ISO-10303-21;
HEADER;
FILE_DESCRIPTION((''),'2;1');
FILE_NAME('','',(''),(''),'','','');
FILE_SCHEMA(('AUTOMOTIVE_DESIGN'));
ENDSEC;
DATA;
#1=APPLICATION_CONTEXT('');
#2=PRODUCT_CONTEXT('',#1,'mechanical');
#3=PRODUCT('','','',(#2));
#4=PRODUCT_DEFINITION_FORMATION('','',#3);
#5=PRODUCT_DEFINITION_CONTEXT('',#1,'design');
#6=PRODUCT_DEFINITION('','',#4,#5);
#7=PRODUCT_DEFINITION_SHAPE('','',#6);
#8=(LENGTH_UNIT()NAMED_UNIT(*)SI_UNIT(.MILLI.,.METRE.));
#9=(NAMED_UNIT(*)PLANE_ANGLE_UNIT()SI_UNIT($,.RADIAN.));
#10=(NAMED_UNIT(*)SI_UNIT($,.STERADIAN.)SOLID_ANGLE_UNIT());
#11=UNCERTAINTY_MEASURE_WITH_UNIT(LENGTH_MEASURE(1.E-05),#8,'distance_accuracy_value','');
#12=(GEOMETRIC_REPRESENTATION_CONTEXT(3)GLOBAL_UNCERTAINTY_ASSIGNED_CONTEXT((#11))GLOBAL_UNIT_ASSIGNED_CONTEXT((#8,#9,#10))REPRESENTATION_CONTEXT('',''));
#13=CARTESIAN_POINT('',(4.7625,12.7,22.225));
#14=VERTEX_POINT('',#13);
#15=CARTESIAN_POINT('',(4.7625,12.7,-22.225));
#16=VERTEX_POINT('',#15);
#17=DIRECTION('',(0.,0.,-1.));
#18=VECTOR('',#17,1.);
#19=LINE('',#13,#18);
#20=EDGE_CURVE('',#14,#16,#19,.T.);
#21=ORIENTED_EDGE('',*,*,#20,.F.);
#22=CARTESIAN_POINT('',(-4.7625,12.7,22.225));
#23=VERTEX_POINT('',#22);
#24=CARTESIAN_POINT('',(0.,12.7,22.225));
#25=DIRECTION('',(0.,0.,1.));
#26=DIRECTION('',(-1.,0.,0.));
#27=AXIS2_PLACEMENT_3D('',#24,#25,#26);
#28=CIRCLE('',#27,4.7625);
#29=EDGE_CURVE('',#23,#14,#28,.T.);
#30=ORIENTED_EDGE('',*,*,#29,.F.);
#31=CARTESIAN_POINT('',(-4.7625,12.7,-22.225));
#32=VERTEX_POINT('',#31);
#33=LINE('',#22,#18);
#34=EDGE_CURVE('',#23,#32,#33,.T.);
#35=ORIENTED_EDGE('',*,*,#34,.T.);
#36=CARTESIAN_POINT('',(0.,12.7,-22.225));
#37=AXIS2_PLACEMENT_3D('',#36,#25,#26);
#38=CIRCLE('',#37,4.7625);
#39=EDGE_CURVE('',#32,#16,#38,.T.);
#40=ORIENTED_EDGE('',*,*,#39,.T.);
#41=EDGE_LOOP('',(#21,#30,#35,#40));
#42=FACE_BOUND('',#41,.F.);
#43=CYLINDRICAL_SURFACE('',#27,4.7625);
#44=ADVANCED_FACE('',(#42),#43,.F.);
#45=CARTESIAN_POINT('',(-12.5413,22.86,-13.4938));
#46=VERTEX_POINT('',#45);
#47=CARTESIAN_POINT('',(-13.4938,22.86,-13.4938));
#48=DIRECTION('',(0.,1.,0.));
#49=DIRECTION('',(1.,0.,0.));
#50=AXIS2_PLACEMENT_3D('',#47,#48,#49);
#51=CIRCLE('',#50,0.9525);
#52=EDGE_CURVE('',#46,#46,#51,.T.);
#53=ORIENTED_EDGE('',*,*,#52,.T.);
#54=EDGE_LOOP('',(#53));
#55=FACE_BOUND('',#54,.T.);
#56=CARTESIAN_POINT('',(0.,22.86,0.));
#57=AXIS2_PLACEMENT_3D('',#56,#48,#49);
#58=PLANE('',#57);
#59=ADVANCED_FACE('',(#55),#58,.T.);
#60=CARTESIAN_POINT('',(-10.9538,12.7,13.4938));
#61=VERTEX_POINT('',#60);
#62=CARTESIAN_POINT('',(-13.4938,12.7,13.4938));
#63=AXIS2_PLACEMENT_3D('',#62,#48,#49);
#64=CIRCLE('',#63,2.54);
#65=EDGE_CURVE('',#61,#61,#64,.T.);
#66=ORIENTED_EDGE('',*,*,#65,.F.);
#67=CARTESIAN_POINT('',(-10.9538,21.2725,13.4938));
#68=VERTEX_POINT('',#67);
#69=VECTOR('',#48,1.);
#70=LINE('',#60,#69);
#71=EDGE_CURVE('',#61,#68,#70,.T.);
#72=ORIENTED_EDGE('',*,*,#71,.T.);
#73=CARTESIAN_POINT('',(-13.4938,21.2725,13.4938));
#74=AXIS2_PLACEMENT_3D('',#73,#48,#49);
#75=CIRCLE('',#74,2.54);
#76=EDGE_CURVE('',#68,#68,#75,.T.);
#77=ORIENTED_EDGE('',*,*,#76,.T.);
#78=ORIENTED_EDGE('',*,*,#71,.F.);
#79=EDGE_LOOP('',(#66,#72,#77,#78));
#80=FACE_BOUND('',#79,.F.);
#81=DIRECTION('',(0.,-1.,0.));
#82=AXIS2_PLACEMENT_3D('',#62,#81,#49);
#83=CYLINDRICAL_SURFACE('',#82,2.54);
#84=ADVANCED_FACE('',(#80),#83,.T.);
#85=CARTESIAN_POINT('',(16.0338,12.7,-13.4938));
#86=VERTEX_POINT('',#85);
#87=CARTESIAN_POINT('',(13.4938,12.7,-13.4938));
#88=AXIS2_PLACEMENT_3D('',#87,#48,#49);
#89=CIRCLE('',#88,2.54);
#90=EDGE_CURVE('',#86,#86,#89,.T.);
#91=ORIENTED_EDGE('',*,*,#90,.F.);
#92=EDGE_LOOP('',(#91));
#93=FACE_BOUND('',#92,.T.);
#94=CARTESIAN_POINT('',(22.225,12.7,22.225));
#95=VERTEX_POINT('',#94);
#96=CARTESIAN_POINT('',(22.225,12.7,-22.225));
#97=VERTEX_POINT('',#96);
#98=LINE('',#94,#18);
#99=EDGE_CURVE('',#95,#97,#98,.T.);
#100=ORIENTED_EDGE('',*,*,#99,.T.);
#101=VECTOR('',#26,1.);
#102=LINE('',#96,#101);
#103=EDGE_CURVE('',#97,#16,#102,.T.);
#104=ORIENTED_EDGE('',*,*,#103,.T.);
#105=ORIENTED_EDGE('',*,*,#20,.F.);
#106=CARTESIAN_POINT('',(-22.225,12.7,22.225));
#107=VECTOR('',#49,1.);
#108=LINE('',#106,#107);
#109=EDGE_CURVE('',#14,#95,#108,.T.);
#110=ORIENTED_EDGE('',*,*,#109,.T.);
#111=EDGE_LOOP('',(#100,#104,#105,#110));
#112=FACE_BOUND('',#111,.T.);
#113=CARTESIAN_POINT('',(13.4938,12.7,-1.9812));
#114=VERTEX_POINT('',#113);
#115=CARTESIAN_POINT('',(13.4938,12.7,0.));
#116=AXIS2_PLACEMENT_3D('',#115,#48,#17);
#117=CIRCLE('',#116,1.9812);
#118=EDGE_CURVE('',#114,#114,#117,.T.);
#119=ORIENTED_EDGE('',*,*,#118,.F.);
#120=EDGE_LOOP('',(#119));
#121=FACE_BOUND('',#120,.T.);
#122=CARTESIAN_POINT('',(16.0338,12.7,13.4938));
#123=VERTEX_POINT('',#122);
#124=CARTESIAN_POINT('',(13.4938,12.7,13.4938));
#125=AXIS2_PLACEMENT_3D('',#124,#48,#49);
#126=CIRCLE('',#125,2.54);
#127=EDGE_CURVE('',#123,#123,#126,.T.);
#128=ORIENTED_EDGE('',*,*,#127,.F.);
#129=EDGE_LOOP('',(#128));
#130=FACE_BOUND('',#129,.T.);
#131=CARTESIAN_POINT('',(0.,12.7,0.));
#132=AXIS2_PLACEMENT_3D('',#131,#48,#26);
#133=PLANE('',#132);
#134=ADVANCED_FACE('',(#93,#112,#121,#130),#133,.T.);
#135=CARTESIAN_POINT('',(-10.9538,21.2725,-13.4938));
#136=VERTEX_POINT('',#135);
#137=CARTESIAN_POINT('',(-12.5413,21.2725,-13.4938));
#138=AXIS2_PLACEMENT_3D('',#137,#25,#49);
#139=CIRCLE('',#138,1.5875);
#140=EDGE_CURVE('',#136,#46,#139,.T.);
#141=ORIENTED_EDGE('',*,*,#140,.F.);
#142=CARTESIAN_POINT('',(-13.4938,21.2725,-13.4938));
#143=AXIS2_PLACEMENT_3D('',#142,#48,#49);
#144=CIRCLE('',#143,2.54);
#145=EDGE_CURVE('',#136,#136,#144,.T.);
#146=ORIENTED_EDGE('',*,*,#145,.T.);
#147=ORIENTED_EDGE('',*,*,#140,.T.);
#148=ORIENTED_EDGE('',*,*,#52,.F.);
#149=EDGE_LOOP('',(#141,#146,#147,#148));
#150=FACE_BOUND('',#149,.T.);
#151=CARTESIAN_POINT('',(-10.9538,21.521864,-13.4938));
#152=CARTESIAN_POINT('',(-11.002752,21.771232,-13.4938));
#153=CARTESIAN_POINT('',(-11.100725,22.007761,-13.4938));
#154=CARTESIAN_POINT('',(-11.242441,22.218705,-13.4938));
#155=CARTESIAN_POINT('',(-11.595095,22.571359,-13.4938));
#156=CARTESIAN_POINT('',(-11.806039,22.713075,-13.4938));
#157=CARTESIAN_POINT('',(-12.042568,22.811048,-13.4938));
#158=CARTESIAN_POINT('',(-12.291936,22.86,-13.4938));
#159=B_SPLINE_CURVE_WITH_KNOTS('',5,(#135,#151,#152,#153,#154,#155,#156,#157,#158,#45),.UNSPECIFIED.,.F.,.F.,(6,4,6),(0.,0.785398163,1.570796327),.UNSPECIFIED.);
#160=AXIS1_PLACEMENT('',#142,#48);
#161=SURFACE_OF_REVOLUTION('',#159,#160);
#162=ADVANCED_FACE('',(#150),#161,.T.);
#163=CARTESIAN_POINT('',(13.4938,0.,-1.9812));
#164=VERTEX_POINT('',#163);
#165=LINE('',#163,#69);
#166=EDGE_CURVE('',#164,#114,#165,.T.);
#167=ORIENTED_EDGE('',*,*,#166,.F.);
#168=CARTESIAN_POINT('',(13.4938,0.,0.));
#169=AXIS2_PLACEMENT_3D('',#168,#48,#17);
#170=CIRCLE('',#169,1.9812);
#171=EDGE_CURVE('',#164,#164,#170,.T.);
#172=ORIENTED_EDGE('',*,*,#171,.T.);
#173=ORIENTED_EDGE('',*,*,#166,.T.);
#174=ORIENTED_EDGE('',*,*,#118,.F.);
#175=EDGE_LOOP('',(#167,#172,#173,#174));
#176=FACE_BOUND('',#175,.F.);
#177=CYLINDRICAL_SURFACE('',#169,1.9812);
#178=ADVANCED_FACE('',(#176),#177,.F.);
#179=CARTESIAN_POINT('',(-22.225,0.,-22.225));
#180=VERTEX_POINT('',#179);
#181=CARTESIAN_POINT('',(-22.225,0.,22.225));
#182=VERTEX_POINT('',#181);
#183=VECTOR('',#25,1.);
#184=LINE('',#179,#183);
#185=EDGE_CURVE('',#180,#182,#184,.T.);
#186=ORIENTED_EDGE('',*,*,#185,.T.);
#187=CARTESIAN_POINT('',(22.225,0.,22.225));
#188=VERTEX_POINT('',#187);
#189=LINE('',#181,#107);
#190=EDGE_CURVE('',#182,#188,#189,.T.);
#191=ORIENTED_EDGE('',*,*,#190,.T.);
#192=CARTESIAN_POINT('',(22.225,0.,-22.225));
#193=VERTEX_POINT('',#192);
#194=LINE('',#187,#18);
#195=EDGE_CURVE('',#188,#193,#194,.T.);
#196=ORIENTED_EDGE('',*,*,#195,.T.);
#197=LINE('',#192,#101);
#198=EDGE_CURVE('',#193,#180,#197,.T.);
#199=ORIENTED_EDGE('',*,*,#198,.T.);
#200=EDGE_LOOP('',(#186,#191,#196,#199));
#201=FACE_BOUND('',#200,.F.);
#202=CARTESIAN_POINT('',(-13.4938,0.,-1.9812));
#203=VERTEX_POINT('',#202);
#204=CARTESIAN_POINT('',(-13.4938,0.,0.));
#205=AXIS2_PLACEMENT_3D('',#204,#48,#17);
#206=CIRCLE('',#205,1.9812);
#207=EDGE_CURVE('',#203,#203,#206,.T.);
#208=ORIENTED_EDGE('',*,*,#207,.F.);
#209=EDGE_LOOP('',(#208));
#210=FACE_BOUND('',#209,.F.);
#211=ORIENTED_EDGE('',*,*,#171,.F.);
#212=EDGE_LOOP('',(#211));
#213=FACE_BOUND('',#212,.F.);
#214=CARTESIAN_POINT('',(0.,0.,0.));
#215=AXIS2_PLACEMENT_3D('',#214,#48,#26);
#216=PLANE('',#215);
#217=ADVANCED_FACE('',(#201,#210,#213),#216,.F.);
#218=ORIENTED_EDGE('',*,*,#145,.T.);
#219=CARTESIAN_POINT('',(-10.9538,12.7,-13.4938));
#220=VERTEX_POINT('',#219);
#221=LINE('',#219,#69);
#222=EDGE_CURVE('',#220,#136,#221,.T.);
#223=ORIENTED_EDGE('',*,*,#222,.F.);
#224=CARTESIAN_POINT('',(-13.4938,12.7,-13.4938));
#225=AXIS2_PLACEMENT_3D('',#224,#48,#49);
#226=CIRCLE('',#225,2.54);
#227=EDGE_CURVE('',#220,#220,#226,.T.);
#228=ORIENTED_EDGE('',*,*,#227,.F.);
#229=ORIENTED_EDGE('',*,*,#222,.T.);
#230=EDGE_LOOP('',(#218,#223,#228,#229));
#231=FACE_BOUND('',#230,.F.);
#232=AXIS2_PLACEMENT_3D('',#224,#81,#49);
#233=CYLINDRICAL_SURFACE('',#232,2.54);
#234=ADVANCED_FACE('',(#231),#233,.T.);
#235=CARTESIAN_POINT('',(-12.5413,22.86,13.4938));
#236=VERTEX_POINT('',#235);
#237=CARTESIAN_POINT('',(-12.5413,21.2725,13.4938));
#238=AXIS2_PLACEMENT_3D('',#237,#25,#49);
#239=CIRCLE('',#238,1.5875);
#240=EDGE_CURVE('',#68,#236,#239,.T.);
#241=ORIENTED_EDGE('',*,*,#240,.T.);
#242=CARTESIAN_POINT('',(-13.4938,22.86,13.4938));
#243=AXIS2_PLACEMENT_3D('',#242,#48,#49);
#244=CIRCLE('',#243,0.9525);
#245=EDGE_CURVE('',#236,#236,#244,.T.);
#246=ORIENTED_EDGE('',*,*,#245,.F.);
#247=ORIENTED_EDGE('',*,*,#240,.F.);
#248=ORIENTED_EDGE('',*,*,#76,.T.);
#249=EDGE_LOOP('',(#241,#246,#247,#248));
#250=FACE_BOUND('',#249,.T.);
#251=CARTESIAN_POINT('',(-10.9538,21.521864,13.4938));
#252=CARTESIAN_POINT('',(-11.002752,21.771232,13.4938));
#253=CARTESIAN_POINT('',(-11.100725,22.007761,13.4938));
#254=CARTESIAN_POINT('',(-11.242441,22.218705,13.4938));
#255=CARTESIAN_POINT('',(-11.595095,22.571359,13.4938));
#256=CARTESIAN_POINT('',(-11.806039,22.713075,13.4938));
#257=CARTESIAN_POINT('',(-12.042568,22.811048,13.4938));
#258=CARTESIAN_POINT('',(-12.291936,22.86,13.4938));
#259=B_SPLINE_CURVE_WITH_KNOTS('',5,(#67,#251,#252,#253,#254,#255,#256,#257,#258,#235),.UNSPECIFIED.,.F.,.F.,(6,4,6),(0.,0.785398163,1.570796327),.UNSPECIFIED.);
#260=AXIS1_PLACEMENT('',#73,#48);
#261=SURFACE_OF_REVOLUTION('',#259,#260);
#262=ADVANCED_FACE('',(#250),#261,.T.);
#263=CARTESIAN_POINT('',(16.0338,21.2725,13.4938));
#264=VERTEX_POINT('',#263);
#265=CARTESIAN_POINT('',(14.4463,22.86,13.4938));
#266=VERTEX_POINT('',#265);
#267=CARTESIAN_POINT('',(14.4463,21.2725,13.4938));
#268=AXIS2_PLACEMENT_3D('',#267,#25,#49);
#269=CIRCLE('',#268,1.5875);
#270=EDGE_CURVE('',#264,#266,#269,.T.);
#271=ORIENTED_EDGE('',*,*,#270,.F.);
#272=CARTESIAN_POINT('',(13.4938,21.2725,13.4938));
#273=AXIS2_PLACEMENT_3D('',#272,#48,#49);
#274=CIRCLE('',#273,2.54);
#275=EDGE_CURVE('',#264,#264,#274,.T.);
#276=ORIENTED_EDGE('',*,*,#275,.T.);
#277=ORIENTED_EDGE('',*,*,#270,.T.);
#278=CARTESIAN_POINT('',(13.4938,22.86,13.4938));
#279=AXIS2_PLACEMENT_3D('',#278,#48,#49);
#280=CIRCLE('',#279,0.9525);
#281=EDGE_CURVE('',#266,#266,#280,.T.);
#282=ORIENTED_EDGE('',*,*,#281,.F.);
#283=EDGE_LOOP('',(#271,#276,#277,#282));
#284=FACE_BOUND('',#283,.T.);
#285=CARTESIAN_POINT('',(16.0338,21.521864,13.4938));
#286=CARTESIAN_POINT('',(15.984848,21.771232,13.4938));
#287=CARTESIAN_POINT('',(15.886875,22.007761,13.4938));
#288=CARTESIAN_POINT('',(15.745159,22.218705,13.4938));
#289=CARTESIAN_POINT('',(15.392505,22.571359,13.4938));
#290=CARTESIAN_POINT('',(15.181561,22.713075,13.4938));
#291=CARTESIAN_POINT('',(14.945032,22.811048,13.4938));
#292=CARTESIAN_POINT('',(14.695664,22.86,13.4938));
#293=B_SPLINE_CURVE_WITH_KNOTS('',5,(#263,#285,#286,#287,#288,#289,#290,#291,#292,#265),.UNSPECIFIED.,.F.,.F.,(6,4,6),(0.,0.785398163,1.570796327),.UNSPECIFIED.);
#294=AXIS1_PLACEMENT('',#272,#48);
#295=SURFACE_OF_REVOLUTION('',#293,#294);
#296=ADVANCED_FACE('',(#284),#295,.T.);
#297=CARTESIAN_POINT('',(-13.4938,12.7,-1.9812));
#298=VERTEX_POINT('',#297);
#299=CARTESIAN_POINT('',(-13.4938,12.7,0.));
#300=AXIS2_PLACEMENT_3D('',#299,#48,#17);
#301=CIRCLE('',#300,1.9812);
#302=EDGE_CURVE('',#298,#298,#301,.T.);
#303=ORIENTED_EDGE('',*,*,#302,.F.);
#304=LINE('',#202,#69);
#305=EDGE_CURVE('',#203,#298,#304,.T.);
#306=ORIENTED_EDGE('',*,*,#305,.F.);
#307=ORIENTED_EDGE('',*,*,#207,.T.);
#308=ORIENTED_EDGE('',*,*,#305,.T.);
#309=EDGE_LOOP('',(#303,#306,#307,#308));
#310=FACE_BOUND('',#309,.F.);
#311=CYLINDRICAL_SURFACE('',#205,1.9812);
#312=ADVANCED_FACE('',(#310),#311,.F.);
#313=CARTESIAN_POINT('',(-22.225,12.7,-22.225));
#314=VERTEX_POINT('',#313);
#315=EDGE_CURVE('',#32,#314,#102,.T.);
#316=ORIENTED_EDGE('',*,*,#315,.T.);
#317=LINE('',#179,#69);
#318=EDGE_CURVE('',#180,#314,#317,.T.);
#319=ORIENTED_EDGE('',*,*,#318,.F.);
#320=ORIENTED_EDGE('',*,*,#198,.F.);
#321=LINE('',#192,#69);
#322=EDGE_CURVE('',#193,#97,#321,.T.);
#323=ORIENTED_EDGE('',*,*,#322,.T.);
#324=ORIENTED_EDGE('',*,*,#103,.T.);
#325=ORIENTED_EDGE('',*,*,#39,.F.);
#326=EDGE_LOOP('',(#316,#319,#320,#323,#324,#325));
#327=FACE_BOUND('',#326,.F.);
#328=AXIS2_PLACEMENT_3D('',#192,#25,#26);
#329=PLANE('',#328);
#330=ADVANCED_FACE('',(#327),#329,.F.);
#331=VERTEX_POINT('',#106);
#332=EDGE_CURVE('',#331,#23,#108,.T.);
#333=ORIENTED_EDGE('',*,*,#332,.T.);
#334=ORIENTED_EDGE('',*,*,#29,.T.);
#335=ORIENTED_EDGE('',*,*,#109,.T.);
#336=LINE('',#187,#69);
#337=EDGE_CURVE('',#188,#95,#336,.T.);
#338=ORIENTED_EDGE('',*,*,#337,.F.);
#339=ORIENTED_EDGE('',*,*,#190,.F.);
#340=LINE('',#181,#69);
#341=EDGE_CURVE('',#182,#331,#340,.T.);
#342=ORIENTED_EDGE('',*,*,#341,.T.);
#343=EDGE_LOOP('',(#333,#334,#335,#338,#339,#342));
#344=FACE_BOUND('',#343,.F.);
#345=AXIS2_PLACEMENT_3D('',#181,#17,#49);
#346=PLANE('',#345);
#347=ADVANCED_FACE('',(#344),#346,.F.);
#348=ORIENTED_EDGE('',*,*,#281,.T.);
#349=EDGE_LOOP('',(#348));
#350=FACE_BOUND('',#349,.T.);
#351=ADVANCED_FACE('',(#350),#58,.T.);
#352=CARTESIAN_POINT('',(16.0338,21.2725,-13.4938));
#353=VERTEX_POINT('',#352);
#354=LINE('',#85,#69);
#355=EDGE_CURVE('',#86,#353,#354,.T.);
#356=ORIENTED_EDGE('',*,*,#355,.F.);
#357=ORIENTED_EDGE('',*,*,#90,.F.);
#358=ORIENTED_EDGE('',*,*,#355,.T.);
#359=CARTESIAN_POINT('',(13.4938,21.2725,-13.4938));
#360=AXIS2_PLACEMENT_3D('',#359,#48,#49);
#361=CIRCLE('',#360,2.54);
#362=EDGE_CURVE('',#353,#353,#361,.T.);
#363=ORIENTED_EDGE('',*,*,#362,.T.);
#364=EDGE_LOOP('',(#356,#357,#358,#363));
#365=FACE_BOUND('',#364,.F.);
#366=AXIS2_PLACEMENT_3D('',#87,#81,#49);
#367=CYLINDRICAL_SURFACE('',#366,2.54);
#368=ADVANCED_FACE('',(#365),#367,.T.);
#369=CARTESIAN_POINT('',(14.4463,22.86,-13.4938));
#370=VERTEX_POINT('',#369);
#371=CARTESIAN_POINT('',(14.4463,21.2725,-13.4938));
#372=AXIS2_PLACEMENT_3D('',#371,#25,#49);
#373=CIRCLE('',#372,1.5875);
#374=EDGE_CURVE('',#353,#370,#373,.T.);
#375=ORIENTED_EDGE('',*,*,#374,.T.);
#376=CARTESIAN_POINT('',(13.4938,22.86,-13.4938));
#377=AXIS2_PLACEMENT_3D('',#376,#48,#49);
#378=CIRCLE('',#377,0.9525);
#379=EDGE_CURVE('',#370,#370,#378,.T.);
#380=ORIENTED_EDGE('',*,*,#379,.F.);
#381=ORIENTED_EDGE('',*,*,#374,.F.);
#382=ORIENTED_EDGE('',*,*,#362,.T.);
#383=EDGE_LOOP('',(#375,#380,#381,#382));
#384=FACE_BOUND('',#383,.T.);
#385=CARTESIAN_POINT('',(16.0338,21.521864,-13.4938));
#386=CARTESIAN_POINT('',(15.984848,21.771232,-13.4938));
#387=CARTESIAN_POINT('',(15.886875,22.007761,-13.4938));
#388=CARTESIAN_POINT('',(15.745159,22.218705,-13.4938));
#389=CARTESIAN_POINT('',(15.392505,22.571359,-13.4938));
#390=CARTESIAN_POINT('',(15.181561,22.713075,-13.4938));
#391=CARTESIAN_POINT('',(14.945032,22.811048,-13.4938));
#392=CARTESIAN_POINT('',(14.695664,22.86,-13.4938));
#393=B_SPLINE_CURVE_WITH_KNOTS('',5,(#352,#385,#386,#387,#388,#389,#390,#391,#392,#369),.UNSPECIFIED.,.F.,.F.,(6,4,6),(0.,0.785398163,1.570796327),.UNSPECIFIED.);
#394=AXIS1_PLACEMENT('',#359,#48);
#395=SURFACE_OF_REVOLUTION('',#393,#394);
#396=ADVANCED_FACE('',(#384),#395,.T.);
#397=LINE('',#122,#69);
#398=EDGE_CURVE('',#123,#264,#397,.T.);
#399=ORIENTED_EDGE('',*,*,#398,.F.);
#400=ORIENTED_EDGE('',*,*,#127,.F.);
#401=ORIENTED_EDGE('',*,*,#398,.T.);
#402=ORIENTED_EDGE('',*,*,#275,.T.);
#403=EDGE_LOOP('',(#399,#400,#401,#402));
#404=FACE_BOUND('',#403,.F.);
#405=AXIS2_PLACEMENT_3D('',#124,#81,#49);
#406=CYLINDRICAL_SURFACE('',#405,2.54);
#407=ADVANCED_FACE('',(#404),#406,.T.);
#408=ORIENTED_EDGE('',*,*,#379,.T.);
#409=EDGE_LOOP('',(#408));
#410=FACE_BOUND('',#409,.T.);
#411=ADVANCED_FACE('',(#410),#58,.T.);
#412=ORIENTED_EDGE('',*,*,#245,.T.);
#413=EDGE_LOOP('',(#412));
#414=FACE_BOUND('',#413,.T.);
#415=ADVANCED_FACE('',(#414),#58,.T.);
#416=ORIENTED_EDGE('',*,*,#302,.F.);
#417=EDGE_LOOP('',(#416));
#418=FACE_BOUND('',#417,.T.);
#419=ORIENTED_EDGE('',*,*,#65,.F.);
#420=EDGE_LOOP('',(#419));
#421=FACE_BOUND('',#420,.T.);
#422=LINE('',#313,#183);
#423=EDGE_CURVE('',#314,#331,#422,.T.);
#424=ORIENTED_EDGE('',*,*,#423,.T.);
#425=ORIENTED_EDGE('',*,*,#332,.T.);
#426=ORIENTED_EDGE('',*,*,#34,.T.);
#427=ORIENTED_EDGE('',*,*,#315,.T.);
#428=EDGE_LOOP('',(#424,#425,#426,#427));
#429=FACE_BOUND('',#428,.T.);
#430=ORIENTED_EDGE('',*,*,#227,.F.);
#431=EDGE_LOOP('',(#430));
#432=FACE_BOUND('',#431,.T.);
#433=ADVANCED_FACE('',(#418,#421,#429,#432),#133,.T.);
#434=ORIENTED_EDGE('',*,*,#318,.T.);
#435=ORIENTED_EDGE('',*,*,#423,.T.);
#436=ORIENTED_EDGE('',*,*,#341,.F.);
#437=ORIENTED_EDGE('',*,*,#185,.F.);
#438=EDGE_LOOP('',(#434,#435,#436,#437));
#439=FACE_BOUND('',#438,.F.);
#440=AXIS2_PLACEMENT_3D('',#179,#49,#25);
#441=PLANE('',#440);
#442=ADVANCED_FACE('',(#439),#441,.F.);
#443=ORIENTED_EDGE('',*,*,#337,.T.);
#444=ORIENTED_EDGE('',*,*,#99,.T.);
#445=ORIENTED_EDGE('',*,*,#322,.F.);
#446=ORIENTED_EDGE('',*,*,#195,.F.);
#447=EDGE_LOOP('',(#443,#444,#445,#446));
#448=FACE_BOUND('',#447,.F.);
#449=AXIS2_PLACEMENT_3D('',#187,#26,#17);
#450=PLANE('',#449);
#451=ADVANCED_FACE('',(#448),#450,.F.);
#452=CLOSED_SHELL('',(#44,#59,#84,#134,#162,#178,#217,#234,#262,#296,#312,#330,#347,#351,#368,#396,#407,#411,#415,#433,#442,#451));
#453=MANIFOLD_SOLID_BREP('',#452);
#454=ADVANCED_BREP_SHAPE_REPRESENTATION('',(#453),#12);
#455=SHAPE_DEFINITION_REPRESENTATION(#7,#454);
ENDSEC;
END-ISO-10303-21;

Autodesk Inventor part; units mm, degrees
ref_plane "YZ Plane" through (0, 0, 0) normal (1, 0, 0) x (0, 1, 0)
ref_plane "XZ Plane" through (0, 0, 0) normal (0, 1, 0) x (-1, 0, 0)
ref_plane "XY Plane" through (0, 0, 0) normal (0, 0, 1) x (1, 0, 0)
sketch "Sketch1" plane through (0, 0, 0) normal (0, 1, 0) x (-1, 0, 0)
  line L0 (-22.225, 22.225) -> (-22.225, -22.225)
  line L1 (-22.225, -22.225) -> (22.225, -22.225)
  line L2 (22.225, -22.225) -> (22.225, 22.225)
  line L3 (22.225, 22.225) -> (-22.225, 22.225)
  line L4 (-22.225, 22.225) -> (22.225, -22.225) construction
  line L5 (-22.225, -22.225) -> (22.225, 22.225) construction
  point P0 (0, 0)
  dimension "d0" = 44.45
extrude "Extrusion1" add sketch "Sketch1" along normal blind 12.7
sketch "Sketch2" plane through (-22.225, 0, 22.225) normal (0, 0, 1) x (1, 0, 0)
  line L0 (44.45, 12.7) -> (0, 12.7) projected
  arc A0 (17.4625, 12.7) -> (26.9875, 12.7) centre (22.225, 12.7) ccw
  point P0 (22.225, 0)
  dimension "d3" = 9.525
extrude "Extrusion2" cut sketch "Sketch2" against normal through all
sketch "Sketch3" plane through (0, 0, 0) normal (0, -1, 0) x (1, 0, 0)
  line L0 (-22.225, -22.225) -> (-22.225, 22.225) projected
  line L1 (22.225, 22.225) -> (22.225, -22.225) projected
  line L2 (-22.225, 22.225) -> (-4.7625, 22.225) projected
  line L3 (4.7625, 22.225) -> (22.225, 22.225) projected
  point P0 (0, 0)
  point P1 (-13.4938, 0)
  point P2 (13.4938, 0)
  dimension "d6" = 8.7312
  dimension "d7" = 8.7312
  dimension "d22" = 22.225
  dimension "d23" = 22.225
hole "Hole1" at (-13.4938, 0, 0) at (13.4938, 0, 0) direction (0, 1, 0) diameter 3.9624 end through all thread size "10-32 UNF" class "2B" standard "ANSI Unified Screw Threads"
sketch "Sketch7" plane through (0, 12.7, 0) normal (0, 1, 0) x (1, 0, 0)
  line L0 (-13.4938, -13.4938) -> (13.4938, -13.4938) construction
  line L1 (13.4938, -13.4938) -> (13.4938, 13.4938) construction
  line L2 (13.4938, 13.4938) -> (-13.4938, 13.4938) construction
  line L3 (-13.4938, 13.4938) -> (-13.4938, -13.4938) construction
  line L4 (-13.4938, -13.4938) -> (13.4938, 13.4938) construction
  line L5 (13.4938, -13.4938) -> (-13.4938, 13.4938) construction
  line L6 (-22.225, 22.225) -> (-22.225, -22.225) construction
  line L7 (-22.225, -22.225) -> (-4.7625, -22.225) construction
  circle A0 centre (-13.4938, -13.4938) radius 2.54
  circle A1 centre (-13.4938, 13.4938) radius 2.54
  circle A2 centre (13.4938, 13.4938) radius 2.54
  circle A3 centre (13.4938, -13.4938) radius 2.54
  point P0 (0, 0)
  dimension "d26" = 8.7312
  dimension "d27" = 8.7312
  dimension "d28" = 5.08
extrude "Extrusion3" add sketch "Sketch7" along normal blind 10.16
fillet "Fillet1" radius 1.5875 4 edges at (-16.0338, 22.86, 13.4938) (-16.0338, 22.86, -13.4938) (10.9537, 22.86, -13.4938) (10.9537, 22.86, 13.4938)
sketch "Sketch4" plane through (0, 12.7, 0) normal (0, 1, 0) x (1, 0, 0)
  point P0 (-11.9062, 0)
equation "\"d0\" = baseWidth"
equation "\"d1\" = heightOfBottomSupport"
equation "\"d3\" = bottomHoleDiam"
equation "\"d4\" = deltaBottomToTop"
equation "\"d6\" = edgeToBoltHole"
equation "\"d7\" = edgeToBoltHole"
equation "\"d22\" = 0.5 * baseWidth"
equation "\"d23\" = 0.5 * baseWidth"
equation "\"d26\" = edgeToBoltHole"
equation "\"d27\" = edgeToBoltHole"
equation "\"d28\" = supportHoleDiam"
equation "\"d29\" = supportHoleLength"
equation "\"bottomHoleDiam\" = 9.525"
equation "\"baseWidth\" = 44.45"
equation "\"height\" = deltaBottomToTop + heightOfBottomHole + heightOfTopHole"
equation "\"deltaBottomToTop\" = 25.4"
equation "\"topHoleDiam\" = 9.525"
equation "\"edgeToBoltHole\" = -0.25 * bottomHoleDiam + 0.25 * baseWidth"
equation "\"washerDiam\" = 13.97"
equation "\"depthForSocketHead\" = 6.35"
equation "\"xbottomHoleDiam\" = 9.525"
equation "\"baseLength\" = 38.1"
equation "\"heightOfBottomSupport\" = 12.7"
equation "\"supportHoleDiam\" = 5.08"
equation "\"supportHoleLength\" = 10.16"
equation "\"heightOfBottomHole\" = 11.1125"
equation "\"heightOfTopHole\" = 11.1125"
properties part number "BottomOfSquareSupport" material "PC/ABS Plastic"
